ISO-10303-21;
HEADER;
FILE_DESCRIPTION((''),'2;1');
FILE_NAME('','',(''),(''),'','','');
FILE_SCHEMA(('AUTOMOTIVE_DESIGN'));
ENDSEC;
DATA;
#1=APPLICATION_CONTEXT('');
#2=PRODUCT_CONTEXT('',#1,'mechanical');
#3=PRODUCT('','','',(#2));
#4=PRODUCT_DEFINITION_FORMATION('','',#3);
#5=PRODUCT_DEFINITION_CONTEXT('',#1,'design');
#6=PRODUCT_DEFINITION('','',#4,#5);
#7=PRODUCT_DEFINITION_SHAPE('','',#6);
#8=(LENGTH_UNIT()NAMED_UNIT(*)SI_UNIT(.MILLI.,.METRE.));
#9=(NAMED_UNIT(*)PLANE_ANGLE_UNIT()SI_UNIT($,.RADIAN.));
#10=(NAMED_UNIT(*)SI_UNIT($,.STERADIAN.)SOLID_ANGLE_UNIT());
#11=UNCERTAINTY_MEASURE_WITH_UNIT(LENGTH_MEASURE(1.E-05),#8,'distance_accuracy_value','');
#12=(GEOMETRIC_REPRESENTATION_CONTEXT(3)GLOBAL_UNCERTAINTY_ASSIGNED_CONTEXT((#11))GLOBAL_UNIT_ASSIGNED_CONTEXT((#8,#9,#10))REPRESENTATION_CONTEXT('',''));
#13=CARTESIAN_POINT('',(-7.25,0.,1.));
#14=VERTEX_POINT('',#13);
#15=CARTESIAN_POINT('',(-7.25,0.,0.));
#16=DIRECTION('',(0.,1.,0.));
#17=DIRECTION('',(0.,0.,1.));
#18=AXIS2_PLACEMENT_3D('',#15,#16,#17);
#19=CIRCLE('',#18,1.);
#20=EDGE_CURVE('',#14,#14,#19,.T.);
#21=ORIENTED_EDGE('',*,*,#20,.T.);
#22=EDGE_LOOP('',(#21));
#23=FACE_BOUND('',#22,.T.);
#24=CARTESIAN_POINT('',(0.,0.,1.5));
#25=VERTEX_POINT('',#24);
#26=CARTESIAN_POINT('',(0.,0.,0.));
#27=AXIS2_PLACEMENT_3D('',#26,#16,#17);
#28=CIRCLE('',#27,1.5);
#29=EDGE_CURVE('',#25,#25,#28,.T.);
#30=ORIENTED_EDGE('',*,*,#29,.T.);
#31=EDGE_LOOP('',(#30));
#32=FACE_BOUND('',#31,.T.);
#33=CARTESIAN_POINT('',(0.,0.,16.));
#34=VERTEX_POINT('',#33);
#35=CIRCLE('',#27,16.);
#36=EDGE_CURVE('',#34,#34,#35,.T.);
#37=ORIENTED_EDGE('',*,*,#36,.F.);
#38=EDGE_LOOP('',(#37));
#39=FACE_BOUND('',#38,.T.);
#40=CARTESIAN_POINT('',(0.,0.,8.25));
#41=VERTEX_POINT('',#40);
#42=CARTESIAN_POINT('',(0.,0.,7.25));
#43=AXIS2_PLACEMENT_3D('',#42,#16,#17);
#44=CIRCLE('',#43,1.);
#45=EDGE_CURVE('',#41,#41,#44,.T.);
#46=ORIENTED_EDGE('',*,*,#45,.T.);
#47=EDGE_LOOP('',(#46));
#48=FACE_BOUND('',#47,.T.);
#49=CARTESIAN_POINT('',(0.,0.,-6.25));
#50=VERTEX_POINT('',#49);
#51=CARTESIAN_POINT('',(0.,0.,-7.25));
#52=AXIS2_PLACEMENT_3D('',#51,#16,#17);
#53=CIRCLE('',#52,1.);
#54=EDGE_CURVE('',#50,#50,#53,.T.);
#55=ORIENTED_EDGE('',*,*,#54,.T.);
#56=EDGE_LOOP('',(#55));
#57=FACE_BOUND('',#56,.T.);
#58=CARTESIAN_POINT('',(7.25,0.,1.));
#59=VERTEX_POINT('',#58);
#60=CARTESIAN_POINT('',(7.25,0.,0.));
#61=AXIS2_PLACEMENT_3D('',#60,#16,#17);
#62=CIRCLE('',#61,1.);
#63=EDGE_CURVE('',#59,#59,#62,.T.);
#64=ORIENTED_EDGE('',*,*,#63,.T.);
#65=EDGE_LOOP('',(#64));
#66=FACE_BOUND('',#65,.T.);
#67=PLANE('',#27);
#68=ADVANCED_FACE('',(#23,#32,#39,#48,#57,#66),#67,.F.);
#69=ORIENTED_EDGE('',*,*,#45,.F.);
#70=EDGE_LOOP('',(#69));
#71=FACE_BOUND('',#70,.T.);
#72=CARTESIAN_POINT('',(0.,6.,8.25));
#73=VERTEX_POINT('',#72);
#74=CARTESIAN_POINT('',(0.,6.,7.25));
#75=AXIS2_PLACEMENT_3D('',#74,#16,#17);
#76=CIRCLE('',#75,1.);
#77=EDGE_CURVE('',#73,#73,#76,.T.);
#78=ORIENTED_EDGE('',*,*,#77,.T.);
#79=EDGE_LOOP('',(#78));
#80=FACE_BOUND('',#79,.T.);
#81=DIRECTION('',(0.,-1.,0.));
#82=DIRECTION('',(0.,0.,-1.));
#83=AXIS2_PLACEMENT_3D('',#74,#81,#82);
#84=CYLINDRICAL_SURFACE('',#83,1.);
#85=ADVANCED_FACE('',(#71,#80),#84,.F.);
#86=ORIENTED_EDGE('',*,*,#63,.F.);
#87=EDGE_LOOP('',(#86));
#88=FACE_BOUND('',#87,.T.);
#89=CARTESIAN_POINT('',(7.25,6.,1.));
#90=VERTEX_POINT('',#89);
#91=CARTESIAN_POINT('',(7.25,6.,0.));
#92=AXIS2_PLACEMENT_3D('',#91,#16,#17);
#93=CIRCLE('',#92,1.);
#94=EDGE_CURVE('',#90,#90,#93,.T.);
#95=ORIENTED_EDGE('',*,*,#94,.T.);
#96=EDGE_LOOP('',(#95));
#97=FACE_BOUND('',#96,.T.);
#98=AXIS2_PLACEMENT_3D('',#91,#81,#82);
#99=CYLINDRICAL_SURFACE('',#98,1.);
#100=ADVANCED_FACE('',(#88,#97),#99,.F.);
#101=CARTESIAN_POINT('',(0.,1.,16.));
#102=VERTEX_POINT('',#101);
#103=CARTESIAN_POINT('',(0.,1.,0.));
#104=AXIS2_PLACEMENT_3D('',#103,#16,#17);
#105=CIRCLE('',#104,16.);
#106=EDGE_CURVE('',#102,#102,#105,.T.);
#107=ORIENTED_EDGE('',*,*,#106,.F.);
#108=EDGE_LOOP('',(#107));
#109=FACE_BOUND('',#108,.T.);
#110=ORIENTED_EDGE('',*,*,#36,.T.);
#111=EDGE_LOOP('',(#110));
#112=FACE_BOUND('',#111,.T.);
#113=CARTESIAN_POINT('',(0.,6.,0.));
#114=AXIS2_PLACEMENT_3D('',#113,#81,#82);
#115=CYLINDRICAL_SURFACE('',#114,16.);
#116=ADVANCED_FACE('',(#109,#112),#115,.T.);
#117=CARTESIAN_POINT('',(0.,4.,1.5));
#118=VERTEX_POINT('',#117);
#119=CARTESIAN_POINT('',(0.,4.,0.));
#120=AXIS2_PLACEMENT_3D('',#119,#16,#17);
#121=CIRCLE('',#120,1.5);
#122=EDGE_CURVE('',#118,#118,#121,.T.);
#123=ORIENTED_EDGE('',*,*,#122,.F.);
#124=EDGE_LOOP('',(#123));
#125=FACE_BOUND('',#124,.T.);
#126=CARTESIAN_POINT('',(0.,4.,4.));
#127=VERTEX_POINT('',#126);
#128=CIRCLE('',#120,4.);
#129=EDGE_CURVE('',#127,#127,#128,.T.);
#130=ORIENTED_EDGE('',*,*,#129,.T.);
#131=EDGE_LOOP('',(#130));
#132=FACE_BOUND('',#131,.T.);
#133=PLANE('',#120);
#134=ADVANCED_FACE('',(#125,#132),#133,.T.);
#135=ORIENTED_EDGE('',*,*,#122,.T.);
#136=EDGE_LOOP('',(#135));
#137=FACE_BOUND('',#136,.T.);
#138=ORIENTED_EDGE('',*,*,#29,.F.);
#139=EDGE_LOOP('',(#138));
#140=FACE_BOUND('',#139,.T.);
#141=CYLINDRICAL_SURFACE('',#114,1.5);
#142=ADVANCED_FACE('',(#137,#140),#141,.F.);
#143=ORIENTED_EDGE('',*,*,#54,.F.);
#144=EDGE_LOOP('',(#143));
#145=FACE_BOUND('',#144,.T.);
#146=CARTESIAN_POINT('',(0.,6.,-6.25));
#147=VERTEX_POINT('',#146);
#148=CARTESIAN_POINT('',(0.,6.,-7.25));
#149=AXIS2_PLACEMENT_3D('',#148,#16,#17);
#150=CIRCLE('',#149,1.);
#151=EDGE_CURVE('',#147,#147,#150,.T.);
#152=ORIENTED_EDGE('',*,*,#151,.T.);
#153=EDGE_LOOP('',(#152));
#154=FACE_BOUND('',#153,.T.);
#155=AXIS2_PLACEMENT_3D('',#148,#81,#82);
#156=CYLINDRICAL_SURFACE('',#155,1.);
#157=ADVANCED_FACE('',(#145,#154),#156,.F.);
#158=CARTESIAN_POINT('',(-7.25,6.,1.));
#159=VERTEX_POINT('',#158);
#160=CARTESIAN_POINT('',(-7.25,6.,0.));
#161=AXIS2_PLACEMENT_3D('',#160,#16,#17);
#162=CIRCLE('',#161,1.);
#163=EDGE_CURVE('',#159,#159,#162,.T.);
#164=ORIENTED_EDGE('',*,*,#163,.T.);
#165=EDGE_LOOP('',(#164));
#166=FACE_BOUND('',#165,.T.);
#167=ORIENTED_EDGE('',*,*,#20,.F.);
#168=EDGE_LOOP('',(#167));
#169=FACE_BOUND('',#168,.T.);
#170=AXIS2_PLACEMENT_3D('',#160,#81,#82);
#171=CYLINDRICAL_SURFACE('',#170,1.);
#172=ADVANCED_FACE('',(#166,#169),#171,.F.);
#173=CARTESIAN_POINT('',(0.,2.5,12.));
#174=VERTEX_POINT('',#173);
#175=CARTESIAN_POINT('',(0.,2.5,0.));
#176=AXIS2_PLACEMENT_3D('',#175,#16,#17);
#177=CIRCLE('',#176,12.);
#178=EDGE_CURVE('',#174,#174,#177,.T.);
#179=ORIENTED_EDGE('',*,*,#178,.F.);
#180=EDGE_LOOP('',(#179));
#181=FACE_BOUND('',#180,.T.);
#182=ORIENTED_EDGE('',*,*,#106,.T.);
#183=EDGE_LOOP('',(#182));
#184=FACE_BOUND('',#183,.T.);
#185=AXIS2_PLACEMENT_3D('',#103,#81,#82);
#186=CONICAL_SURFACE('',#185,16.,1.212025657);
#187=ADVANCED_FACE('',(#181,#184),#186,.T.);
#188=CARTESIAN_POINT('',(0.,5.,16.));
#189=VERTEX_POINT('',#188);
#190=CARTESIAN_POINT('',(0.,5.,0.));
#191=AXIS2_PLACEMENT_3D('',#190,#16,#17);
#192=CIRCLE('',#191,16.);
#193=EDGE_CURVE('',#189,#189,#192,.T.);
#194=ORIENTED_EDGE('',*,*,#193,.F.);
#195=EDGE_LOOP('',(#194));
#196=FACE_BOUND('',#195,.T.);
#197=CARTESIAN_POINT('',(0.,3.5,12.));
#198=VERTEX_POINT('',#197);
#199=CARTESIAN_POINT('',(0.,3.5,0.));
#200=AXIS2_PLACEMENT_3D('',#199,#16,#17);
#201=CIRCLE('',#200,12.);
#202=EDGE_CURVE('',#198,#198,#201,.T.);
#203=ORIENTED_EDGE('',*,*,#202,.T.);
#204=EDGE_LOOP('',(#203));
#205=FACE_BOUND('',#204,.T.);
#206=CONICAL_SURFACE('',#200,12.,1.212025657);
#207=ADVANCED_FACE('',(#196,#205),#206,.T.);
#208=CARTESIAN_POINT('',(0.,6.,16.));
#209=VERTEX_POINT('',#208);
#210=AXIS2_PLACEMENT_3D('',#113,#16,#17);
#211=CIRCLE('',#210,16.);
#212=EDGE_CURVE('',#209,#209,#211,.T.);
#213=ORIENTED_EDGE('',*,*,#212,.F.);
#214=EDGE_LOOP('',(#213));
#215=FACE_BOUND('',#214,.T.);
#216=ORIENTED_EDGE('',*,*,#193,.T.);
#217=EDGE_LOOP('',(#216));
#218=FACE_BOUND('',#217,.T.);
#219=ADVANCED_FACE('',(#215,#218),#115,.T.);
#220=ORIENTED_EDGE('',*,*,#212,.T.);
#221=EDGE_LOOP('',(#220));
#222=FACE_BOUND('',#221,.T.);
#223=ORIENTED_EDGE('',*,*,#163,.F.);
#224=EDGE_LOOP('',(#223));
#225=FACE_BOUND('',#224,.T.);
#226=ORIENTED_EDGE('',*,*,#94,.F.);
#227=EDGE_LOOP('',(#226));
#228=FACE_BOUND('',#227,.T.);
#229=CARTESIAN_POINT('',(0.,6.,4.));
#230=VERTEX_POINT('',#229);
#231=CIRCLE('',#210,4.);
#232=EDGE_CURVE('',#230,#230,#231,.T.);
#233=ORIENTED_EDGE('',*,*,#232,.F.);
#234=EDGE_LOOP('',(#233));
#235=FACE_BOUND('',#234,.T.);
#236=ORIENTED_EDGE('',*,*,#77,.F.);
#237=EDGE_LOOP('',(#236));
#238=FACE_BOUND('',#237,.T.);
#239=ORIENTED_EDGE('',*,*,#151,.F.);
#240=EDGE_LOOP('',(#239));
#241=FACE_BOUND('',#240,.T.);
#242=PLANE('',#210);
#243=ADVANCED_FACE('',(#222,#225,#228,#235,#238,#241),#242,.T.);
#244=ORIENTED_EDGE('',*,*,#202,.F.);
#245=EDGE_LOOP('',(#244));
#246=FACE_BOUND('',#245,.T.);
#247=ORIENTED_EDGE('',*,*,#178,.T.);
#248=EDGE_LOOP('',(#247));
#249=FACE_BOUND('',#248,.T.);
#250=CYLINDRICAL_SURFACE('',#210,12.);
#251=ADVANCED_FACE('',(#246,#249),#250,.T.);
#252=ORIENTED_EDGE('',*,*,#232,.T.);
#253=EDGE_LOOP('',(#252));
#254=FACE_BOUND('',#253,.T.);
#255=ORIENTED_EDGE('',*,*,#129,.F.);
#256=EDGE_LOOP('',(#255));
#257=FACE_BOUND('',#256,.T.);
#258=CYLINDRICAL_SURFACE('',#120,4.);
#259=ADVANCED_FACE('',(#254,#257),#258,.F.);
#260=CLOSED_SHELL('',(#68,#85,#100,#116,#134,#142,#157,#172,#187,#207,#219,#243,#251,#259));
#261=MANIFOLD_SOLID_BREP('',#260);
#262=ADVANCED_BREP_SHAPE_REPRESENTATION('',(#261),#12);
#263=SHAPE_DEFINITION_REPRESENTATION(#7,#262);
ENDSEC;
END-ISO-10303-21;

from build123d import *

# Parameters (mm, degrees)
SKETCH1_R           = 16
SKETCH1_R_2         = 1
SKETCH1_R_3         = 1.5
BOSS_EXTRUDE1_DEPTH = 6
SKETCH2_R           = 4
CUT_EXTRUDE1_DEPTH  = 2


with BuildPart() as part:
    # Sketch1 → Boss-Extrude1 (new body)
    with BuildSketch(Plane(origin=(0, 0, 0), x_dir=(1, 0, 0), z_dir=(0, 1, 0))):
        Circle(SKETCH1_R)
        with Locations((0, 7.25)):
            Circle(SKETCH1_R_2, mode=Mode.SUBTRACT)
        with Locations((7.25, 0)):
            Circle(SKETCH1_R_2, mode=Mode.SUBTRACT)
        with Locations((0, -7.25)):
            Circle(SKETCH1_R_2, mode=Mode.SUBTRACT)
        with Locations((-7.25, 0)):
            Circle(SKETCH1_R_2, mode=Mode.SUBTRACT)
        Circle(SKETCH1_R_3, mode=Mode.SUBTRACT)
    extrude(amount=BOSS_EXTRUDE1_DEPTH)

    # Sketch2 → Cut-Extrude1 (cut)
    with BuildSketch(Plane(origin=(0, 6, 0), x_dir=(1, 0, 0), z_dir=(0, 1, 0))):
        Circle(SKETCH2_R)
    extrude(amount=-CUT_EXTRUDE1_DEPTH, mode=Mode.SUBTRACT)

    # Sketch3 → Cut-Revolve1 (revolve, cut)
    with BuildSketch(Plane(origin=(0, 0, 0), x_dir=(0, 0, -1), z_dir=(1, 0, 0))):
        Polygon((-16, 5), (-12, 3.5), (-12, 2.5), (-16, 1), align=None)
    revolve(axis=Axis((0, 6, 0), (0, -1, 0)), mode=Mode.SUBTRACT)


solid = part.part
